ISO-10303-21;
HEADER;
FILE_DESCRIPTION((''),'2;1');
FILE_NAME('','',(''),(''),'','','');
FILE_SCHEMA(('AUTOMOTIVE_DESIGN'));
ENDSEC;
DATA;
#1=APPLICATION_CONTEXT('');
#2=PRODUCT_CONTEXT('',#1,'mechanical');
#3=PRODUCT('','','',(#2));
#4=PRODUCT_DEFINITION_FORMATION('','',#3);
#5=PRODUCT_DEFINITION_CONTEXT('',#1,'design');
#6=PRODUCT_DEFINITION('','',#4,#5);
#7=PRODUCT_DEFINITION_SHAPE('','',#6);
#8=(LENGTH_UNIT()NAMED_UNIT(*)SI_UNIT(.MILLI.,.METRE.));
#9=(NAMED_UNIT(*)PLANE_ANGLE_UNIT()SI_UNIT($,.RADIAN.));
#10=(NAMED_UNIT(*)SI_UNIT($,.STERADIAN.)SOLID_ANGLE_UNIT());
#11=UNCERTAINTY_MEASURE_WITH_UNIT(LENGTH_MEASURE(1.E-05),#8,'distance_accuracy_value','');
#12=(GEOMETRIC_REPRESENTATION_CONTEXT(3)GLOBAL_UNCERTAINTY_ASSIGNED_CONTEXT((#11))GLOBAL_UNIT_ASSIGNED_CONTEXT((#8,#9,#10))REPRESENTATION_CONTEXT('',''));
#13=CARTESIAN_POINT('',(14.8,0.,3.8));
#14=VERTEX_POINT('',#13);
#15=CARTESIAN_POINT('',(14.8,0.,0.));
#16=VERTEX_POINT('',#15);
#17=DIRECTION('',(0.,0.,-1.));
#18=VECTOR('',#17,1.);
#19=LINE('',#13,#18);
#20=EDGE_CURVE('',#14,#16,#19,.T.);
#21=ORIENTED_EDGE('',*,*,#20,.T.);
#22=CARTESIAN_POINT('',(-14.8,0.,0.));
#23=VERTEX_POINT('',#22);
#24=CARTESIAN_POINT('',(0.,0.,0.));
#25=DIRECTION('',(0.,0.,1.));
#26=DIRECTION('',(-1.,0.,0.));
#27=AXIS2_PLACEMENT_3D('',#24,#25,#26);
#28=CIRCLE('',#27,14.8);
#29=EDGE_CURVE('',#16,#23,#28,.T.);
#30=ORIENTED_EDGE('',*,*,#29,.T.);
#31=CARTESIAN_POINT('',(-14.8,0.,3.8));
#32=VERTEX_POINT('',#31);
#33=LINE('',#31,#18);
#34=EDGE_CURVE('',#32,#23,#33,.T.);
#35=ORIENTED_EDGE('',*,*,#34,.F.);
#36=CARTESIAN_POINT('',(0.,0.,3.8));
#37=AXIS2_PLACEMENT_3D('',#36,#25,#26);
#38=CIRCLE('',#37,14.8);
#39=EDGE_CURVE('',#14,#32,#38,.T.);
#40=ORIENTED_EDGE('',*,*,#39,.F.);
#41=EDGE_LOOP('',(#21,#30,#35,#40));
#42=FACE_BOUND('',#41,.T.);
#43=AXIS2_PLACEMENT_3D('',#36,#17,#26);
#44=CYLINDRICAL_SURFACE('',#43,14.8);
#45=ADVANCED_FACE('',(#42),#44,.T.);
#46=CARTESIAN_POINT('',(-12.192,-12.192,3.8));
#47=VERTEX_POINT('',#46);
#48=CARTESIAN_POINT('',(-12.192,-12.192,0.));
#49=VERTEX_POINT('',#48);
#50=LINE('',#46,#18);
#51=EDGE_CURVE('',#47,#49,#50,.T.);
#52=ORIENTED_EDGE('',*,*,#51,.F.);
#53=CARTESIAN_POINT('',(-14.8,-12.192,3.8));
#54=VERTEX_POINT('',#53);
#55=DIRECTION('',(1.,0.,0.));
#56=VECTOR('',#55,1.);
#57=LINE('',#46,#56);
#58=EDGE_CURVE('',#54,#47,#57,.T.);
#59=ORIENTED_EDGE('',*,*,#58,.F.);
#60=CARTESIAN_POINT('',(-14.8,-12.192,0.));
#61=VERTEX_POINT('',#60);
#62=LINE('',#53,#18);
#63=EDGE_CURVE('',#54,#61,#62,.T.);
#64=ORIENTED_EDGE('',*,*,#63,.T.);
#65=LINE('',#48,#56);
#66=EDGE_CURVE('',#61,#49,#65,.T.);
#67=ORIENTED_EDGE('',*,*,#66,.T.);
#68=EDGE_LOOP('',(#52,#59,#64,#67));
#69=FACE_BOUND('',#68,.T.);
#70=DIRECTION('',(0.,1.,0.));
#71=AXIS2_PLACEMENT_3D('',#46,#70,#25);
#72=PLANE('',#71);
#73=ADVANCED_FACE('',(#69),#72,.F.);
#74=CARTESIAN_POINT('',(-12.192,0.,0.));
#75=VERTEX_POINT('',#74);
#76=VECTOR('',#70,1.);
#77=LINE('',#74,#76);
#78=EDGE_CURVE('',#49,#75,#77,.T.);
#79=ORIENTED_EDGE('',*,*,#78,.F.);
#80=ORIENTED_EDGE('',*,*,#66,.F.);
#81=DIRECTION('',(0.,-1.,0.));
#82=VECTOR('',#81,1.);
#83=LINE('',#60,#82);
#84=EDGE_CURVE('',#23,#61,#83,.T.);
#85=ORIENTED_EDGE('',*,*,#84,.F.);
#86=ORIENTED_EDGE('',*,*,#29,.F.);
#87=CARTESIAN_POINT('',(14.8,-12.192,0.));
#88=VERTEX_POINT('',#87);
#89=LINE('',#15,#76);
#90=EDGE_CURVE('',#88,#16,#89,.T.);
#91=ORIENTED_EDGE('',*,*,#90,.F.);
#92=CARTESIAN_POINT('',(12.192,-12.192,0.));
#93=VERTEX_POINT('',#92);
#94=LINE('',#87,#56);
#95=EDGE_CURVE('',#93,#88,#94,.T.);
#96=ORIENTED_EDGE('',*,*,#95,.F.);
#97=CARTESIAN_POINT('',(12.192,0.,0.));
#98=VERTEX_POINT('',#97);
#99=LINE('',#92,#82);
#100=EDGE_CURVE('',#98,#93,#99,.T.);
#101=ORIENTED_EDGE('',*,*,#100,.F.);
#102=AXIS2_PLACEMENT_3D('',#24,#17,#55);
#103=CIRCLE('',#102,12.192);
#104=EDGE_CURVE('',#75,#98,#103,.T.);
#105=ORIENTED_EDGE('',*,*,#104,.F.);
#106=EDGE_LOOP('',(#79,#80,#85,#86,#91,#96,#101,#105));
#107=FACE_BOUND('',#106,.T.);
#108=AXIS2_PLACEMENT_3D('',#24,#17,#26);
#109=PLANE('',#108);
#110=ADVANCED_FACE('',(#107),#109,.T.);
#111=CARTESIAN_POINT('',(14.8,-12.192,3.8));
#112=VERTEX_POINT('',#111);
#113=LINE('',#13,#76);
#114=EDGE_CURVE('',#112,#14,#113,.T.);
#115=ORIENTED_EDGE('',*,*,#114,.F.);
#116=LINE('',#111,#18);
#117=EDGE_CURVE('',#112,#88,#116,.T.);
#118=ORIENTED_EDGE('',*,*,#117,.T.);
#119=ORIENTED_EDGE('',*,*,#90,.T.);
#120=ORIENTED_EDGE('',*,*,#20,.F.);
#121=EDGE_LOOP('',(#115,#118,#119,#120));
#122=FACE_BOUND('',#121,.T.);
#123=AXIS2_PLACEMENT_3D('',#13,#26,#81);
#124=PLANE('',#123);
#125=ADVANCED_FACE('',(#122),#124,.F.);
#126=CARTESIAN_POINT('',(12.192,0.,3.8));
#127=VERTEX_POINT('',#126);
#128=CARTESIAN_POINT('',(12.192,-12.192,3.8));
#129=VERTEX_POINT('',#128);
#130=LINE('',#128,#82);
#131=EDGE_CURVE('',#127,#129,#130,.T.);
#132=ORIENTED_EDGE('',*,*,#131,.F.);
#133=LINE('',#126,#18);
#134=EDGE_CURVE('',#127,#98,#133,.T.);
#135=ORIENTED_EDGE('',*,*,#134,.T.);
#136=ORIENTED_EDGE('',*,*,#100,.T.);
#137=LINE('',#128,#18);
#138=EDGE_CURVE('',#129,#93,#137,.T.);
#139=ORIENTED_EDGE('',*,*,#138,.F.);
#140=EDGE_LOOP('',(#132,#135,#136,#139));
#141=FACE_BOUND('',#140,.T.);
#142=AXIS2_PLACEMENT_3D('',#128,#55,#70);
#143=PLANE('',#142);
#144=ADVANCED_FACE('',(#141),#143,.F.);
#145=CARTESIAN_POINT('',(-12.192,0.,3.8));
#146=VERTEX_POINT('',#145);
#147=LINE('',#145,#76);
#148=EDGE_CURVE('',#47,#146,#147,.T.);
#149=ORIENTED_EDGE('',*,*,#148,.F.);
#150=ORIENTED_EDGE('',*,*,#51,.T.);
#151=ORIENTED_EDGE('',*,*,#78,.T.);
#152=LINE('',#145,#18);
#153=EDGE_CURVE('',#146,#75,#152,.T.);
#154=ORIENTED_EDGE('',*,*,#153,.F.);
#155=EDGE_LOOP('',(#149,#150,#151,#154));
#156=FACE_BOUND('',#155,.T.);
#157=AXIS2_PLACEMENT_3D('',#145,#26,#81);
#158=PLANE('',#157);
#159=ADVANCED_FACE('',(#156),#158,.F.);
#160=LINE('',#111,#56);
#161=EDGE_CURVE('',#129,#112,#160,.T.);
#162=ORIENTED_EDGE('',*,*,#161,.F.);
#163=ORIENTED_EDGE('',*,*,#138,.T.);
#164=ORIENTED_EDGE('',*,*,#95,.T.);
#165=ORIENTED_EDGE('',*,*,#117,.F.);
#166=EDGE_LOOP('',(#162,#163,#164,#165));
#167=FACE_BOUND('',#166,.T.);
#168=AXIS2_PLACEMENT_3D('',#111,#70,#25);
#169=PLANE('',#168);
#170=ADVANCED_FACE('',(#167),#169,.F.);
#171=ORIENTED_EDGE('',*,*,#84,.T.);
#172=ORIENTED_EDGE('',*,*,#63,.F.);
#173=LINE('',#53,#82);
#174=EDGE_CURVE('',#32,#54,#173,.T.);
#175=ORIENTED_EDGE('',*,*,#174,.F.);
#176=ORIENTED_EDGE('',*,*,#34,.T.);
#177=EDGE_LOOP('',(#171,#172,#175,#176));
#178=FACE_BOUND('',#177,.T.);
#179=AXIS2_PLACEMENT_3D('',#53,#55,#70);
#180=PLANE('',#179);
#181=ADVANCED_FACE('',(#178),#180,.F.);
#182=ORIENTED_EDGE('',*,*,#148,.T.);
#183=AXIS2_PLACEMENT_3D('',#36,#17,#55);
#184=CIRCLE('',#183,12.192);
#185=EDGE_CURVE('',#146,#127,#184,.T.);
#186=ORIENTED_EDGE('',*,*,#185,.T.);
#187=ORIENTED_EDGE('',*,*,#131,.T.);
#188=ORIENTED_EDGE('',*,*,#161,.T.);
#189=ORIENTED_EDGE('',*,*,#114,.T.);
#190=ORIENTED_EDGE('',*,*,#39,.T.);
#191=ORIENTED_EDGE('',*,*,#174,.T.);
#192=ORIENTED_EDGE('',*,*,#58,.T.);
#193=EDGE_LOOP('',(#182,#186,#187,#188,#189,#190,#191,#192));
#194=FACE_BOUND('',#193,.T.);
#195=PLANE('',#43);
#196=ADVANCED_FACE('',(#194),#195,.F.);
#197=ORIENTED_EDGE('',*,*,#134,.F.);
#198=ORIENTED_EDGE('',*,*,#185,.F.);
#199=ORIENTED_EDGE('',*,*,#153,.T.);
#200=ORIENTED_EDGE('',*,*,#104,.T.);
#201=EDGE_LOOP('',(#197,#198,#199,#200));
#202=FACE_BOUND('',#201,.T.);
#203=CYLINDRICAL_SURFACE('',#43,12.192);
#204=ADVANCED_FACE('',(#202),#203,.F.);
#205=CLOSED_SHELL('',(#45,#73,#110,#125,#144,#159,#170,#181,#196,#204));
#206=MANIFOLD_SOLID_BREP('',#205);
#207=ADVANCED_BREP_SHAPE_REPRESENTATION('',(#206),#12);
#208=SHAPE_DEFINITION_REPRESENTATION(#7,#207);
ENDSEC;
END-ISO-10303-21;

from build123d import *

# Parameters (mm, degrees)
BOSS_EXTRUDE1_DEPTH = 3.8


with BuildPart() as part:
    # Sketch1 → Boss-Extrude1 (new body)
    with BuildSketch(Plane.XY):
        with BuildLine():
            Line((-12.192, -12.192), (-14.8, -12.192))
            Line((-14.8, -12.192), (-14.8, 0))
            ThreePointArc((-14.8, 0), (0, 14.8), (14.8, 0))
            Line((14.8, 0), (14.8, -12.192))
            Line((14.8, -12.192), (12.192, -12.192))
            Line((12.192, -12.192), (12.192, 0))
            ThreePointArc((12.192, 0), (0, 12.192), (-12.192, 0))
            Line((-12.192, 0), (-12.192, -12.192))
        make_face()
    extrude(amount=BOSS_EXTRUDE1_DEPTH)


solid = part.part
